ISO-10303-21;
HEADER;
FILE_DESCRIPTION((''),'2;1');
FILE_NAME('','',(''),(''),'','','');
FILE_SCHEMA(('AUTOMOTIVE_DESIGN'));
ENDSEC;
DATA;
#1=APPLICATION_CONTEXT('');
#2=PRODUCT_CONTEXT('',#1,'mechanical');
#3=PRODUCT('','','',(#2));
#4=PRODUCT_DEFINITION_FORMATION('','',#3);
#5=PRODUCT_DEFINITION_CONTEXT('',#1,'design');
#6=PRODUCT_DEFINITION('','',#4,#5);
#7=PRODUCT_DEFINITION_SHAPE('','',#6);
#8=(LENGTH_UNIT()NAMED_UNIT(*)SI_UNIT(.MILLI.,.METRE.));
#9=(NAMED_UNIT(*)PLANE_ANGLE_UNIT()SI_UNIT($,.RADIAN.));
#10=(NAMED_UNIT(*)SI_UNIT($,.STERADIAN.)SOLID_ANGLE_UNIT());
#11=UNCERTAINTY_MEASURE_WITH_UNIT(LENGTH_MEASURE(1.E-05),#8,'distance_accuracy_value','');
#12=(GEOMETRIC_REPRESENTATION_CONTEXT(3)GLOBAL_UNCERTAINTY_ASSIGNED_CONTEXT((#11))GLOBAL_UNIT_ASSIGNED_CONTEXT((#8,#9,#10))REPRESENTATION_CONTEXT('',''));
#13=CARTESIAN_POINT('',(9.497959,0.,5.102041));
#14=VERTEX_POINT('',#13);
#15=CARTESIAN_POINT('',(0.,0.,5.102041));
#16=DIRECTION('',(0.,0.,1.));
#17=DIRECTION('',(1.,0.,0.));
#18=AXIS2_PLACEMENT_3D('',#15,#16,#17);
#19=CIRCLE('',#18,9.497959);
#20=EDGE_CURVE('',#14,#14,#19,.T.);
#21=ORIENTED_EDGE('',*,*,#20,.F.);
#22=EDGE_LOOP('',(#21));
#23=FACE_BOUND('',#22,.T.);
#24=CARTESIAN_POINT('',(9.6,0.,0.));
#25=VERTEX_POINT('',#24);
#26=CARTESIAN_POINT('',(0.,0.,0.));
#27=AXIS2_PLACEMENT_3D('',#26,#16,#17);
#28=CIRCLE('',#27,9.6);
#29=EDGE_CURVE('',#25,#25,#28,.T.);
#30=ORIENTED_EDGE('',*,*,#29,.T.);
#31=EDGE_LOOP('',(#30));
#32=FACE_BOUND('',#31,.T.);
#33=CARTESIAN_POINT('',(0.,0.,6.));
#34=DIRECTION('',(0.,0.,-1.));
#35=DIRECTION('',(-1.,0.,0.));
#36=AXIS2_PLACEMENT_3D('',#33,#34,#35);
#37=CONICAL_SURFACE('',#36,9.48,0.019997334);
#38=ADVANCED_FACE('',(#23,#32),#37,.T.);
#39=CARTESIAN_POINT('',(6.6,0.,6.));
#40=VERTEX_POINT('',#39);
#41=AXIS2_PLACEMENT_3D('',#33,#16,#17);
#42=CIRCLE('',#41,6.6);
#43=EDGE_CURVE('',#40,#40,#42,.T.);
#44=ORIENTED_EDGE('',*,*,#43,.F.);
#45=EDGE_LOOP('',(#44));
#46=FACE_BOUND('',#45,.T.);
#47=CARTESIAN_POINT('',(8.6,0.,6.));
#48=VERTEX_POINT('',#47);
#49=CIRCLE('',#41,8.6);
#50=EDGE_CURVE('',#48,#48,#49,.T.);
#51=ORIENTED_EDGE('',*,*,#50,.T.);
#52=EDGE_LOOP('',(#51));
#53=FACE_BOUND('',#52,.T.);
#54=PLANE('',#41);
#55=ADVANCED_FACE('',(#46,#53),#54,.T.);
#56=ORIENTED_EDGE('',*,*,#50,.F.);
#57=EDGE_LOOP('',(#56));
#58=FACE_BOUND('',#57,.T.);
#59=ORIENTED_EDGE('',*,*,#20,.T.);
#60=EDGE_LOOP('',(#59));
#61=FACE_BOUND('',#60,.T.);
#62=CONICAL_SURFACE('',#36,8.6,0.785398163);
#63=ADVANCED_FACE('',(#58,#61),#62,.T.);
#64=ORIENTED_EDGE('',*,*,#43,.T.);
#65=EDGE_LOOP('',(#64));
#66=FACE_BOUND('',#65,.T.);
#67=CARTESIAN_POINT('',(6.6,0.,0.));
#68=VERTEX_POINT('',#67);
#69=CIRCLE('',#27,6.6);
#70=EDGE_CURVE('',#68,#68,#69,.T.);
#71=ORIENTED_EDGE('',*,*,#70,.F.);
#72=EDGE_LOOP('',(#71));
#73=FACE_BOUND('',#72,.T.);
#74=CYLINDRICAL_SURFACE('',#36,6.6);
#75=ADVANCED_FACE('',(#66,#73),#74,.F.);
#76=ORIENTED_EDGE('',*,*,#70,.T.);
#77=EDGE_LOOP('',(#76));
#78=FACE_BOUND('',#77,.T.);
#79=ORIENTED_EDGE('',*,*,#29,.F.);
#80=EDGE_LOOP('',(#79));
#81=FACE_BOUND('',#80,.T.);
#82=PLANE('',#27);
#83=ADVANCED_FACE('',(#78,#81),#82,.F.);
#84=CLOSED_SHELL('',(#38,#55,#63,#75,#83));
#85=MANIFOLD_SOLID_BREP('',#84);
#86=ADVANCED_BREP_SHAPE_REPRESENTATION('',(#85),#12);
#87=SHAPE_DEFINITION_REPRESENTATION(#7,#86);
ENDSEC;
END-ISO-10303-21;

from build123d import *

# Parameters (mm, degrees)
SKETCH_1_R      = 9.6
SKETCH_1_R_2    = 6.6
EXTRUDE_1_DEPTH = 6
CHAMFER_1_SIZE  = 1


with BuildPart() as part:
    # Эскиз1 → Вытянуть1 (new body)
    with BuildSketch(Plane.XY):
        Circle(SKETCH_1_R)
        Circle(SKETCH_1_R_2, mode=Mode.SUBTRACT)
    extrude(amount=EXTRUDE_1_DEPTH)

    # Фаска1
    chamfer_1_edges = [part.edges().sort_by_distance(p)[0] for p in [
        (-9.6, 0, 6),
    ]]
    chamfer(chamfer_1_edges, length=CHAMFER_1_SIZE)

    # Эскиз4 → Вырез-Повернуть1 (revolve, cut)
    with BuildSketch(Plane(origin=(0, 0, 0), x_dir=(0, 0, -1), z_dir=(1, 0, 0)), mode=Mode.PRIVATE) as cut_revolve_1_sk:
        Polygon((0, 9.6), (-6, 9.48), (-6, 9.6), align=None)
    revolve(cut_revolve_1_sk.sketch.rotate(Axis((0, 0, 6), (0, 0, -1)), 90), axis=Axis((0, 0, 6), (0, 0, -1)), mode=Mode.SUBTRACT)


solid = part.part
